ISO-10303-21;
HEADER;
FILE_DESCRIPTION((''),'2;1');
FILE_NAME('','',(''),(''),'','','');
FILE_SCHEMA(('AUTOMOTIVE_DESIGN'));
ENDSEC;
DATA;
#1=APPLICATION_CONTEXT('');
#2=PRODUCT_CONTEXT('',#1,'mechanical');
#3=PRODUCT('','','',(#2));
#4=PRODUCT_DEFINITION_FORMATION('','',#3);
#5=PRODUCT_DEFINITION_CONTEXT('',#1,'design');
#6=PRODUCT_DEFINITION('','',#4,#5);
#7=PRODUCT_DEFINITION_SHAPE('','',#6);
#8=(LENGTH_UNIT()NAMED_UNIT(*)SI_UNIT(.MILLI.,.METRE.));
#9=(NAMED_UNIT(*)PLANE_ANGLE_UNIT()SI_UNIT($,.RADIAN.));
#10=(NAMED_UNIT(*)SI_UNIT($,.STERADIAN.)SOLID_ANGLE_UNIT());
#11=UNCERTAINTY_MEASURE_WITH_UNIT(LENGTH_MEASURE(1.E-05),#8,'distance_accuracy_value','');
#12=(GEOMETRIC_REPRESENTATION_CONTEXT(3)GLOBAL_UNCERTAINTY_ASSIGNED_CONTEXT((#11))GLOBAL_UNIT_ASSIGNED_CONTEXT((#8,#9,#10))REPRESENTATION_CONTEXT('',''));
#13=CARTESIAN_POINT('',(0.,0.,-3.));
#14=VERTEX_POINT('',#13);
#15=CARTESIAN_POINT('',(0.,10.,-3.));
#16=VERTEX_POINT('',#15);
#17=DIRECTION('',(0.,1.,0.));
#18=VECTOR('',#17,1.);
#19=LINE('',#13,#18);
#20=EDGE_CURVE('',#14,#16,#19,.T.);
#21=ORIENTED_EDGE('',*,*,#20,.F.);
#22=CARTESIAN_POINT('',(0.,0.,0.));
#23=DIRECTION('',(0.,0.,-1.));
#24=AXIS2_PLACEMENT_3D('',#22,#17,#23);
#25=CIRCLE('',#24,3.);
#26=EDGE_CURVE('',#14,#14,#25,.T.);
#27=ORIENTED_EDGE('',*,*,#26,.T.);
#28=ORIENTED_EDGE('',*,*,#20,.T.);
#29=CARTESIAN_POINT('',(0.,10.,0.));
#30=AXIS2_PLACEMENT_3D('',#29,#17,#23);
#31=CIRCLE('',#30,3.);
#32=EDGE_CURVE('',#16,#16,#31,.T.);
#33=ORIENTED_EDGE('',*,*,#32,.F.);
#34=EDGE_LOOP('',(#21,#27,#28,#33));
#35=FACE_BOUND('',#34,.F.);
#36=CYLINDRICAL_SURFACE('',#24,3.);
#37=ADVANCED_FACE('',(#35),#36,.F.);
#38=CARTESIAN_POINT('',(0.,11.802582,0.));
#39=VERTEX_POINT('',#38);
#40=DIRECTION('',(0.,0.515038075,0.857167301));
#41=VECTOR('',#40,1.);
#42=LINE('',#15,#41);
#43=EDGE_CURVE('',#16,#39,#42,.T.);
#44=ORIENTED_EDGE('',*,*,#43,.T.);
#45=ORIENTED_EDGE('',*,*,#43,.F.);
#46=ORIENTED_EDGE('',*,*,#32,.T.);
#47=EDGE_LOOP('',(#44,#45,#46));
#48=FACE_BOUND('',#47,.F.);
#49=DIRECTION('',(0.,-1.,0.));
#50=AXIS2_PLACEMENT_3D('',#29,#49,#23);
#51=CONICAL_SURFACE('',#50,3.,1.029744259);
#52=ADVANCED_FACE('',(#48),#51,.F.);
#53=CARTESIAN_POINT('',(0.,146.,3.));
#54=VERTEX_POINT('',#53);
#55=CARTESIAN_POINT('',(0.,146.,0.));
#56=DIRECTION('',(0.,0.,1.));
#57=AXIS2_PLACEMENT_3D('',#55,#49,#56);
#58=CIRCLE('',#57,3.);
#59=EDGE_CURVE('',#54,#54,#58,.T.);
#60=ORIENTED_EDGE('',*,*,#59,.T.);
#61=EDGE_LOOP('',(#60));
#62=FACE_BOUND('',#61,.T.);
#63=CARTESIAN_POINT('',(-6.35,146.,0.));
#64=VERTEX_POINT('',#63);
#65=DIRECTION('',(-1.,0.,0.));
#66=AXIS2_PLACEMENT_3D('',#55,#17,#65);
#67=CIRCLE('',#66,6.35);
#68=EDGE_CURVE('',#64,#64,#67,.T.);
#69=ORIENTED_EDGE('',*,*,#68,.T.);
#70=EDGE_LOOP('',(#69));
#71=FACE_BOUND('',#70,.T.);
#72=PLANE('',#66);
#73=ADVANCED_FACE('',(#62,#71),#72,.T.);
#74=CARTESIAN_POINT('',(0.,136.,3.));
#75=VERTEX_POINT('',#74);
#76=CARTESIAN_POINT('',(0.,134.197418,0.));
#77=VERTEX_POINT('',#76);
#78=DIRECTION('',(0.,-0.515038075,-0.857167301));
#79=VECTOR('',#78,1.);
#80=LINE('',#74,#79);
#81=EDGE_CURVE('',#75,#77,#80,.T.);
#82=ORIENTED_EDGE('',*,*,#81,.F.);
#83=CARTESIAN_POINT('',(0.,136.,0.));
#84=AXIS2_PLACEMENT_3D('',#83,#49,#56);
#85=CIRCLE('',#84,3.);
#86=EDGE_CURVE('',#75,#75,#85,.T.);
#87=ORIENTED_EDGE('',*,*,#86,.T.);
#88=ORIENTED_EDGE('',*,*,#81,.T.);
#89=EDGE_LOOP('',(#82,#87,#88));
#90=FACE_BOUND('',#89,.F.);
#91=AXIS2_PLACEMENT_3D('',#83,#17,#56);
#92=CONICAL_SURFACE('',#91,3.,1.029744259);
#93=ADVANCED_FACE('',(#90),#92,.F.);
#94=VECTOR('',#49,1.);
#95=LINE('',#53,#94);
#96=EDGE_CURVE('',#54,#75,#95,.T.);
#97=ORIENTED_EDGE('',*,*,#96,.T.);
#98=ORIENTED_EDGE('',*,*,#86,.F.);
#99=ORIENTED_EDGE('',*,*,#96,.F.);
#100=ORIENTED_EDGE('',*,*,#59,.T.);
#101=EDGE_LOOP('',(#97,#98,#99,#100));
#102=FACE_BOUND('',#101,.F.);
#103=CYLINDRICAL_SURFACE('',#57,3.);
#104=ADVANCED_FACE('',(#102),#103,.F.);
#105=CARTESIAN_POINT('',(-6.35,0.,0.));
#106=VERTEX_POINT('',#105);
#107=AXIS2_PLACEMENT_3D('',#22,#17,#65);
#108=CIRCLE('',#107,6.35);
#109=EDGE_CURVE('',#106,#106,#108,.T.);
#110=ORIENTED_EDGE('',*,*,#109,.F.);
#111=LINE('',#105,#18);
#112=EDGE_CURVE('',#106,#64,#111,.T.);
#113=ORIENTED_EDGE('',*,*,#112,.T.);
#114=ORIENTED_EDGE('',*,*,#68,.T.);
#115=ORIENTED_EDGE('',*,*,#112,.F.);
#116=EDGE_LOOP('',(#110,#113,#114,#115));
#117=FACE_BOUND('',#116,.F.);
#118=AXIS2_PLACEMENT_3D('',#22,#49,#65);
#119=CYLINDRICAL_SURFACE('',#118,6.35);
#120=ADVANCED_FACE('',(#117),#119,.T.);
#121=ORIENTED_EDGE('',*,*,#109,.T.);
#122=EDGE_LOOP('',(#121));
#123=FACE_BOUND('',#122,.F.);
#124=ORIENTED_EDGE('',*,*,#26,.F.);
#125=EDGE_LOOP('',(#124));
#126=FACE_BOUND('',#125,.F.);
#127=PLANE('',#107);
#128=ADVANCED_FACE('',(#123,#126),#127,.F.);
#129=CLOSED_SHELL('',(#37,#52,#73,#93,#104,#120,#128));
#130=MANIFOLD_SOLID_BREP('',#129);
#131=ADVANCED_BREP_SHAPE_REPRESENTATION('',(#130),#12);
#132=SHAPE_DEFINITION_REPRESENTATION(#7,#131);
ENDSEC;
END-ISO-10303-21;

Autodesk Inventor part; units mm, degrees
ref_plane "YZ Plane" through (0, 0, 0) normal (1, 0, 0) x (0, 1, 0)
ref_plane "XZ Plane" through (0, 0, 0) normal (0, 1, 0) x (-1, 0, 0)
ref_plane "XY Plane" through (0, 0, 0) normal (0, 0, 1) x (1, 0, 0)
sketch "Sketch1" plane through (0, 0, 0) normal (0, 1, 0) x (-1, 0, 0)
  circle A0 centre (0, 0) radius 6.35
  dimension "d0" = 12.7
extrude "Extrusion1" add sketch "Sketch1" along normal blind 146
sketch "Sketch3" plane through (0, 146, 0) normal (0, 1, 0) x (1, 0, 0)
  point P0 (0, 0)
  point P1 (0, 0)
hole "Hole2" at (0, 146, 0) direction (0, -1, 0) diameter 6 depth 10 tip angle 118
thread "Thread3" size "1/4-20 UNC" class "2B" standard "ANSI Unified Screw Threads" full length
sketch "Sketch4" plane through (0, 0, 0) normal (0, -1, 0) x (1, 0, 0)
  circle A0 centre (0, 0) radius 6.35 projected
hole "Hole3" at (0, 0, 0) direction (0, 1, 0) diameter 6 depth 10 tip angle 118
thread "Thread4" size "1/4-20 UNC" class "2B" standard "ANSI Unified Screw Threads" full length
properties part number "Poste"
